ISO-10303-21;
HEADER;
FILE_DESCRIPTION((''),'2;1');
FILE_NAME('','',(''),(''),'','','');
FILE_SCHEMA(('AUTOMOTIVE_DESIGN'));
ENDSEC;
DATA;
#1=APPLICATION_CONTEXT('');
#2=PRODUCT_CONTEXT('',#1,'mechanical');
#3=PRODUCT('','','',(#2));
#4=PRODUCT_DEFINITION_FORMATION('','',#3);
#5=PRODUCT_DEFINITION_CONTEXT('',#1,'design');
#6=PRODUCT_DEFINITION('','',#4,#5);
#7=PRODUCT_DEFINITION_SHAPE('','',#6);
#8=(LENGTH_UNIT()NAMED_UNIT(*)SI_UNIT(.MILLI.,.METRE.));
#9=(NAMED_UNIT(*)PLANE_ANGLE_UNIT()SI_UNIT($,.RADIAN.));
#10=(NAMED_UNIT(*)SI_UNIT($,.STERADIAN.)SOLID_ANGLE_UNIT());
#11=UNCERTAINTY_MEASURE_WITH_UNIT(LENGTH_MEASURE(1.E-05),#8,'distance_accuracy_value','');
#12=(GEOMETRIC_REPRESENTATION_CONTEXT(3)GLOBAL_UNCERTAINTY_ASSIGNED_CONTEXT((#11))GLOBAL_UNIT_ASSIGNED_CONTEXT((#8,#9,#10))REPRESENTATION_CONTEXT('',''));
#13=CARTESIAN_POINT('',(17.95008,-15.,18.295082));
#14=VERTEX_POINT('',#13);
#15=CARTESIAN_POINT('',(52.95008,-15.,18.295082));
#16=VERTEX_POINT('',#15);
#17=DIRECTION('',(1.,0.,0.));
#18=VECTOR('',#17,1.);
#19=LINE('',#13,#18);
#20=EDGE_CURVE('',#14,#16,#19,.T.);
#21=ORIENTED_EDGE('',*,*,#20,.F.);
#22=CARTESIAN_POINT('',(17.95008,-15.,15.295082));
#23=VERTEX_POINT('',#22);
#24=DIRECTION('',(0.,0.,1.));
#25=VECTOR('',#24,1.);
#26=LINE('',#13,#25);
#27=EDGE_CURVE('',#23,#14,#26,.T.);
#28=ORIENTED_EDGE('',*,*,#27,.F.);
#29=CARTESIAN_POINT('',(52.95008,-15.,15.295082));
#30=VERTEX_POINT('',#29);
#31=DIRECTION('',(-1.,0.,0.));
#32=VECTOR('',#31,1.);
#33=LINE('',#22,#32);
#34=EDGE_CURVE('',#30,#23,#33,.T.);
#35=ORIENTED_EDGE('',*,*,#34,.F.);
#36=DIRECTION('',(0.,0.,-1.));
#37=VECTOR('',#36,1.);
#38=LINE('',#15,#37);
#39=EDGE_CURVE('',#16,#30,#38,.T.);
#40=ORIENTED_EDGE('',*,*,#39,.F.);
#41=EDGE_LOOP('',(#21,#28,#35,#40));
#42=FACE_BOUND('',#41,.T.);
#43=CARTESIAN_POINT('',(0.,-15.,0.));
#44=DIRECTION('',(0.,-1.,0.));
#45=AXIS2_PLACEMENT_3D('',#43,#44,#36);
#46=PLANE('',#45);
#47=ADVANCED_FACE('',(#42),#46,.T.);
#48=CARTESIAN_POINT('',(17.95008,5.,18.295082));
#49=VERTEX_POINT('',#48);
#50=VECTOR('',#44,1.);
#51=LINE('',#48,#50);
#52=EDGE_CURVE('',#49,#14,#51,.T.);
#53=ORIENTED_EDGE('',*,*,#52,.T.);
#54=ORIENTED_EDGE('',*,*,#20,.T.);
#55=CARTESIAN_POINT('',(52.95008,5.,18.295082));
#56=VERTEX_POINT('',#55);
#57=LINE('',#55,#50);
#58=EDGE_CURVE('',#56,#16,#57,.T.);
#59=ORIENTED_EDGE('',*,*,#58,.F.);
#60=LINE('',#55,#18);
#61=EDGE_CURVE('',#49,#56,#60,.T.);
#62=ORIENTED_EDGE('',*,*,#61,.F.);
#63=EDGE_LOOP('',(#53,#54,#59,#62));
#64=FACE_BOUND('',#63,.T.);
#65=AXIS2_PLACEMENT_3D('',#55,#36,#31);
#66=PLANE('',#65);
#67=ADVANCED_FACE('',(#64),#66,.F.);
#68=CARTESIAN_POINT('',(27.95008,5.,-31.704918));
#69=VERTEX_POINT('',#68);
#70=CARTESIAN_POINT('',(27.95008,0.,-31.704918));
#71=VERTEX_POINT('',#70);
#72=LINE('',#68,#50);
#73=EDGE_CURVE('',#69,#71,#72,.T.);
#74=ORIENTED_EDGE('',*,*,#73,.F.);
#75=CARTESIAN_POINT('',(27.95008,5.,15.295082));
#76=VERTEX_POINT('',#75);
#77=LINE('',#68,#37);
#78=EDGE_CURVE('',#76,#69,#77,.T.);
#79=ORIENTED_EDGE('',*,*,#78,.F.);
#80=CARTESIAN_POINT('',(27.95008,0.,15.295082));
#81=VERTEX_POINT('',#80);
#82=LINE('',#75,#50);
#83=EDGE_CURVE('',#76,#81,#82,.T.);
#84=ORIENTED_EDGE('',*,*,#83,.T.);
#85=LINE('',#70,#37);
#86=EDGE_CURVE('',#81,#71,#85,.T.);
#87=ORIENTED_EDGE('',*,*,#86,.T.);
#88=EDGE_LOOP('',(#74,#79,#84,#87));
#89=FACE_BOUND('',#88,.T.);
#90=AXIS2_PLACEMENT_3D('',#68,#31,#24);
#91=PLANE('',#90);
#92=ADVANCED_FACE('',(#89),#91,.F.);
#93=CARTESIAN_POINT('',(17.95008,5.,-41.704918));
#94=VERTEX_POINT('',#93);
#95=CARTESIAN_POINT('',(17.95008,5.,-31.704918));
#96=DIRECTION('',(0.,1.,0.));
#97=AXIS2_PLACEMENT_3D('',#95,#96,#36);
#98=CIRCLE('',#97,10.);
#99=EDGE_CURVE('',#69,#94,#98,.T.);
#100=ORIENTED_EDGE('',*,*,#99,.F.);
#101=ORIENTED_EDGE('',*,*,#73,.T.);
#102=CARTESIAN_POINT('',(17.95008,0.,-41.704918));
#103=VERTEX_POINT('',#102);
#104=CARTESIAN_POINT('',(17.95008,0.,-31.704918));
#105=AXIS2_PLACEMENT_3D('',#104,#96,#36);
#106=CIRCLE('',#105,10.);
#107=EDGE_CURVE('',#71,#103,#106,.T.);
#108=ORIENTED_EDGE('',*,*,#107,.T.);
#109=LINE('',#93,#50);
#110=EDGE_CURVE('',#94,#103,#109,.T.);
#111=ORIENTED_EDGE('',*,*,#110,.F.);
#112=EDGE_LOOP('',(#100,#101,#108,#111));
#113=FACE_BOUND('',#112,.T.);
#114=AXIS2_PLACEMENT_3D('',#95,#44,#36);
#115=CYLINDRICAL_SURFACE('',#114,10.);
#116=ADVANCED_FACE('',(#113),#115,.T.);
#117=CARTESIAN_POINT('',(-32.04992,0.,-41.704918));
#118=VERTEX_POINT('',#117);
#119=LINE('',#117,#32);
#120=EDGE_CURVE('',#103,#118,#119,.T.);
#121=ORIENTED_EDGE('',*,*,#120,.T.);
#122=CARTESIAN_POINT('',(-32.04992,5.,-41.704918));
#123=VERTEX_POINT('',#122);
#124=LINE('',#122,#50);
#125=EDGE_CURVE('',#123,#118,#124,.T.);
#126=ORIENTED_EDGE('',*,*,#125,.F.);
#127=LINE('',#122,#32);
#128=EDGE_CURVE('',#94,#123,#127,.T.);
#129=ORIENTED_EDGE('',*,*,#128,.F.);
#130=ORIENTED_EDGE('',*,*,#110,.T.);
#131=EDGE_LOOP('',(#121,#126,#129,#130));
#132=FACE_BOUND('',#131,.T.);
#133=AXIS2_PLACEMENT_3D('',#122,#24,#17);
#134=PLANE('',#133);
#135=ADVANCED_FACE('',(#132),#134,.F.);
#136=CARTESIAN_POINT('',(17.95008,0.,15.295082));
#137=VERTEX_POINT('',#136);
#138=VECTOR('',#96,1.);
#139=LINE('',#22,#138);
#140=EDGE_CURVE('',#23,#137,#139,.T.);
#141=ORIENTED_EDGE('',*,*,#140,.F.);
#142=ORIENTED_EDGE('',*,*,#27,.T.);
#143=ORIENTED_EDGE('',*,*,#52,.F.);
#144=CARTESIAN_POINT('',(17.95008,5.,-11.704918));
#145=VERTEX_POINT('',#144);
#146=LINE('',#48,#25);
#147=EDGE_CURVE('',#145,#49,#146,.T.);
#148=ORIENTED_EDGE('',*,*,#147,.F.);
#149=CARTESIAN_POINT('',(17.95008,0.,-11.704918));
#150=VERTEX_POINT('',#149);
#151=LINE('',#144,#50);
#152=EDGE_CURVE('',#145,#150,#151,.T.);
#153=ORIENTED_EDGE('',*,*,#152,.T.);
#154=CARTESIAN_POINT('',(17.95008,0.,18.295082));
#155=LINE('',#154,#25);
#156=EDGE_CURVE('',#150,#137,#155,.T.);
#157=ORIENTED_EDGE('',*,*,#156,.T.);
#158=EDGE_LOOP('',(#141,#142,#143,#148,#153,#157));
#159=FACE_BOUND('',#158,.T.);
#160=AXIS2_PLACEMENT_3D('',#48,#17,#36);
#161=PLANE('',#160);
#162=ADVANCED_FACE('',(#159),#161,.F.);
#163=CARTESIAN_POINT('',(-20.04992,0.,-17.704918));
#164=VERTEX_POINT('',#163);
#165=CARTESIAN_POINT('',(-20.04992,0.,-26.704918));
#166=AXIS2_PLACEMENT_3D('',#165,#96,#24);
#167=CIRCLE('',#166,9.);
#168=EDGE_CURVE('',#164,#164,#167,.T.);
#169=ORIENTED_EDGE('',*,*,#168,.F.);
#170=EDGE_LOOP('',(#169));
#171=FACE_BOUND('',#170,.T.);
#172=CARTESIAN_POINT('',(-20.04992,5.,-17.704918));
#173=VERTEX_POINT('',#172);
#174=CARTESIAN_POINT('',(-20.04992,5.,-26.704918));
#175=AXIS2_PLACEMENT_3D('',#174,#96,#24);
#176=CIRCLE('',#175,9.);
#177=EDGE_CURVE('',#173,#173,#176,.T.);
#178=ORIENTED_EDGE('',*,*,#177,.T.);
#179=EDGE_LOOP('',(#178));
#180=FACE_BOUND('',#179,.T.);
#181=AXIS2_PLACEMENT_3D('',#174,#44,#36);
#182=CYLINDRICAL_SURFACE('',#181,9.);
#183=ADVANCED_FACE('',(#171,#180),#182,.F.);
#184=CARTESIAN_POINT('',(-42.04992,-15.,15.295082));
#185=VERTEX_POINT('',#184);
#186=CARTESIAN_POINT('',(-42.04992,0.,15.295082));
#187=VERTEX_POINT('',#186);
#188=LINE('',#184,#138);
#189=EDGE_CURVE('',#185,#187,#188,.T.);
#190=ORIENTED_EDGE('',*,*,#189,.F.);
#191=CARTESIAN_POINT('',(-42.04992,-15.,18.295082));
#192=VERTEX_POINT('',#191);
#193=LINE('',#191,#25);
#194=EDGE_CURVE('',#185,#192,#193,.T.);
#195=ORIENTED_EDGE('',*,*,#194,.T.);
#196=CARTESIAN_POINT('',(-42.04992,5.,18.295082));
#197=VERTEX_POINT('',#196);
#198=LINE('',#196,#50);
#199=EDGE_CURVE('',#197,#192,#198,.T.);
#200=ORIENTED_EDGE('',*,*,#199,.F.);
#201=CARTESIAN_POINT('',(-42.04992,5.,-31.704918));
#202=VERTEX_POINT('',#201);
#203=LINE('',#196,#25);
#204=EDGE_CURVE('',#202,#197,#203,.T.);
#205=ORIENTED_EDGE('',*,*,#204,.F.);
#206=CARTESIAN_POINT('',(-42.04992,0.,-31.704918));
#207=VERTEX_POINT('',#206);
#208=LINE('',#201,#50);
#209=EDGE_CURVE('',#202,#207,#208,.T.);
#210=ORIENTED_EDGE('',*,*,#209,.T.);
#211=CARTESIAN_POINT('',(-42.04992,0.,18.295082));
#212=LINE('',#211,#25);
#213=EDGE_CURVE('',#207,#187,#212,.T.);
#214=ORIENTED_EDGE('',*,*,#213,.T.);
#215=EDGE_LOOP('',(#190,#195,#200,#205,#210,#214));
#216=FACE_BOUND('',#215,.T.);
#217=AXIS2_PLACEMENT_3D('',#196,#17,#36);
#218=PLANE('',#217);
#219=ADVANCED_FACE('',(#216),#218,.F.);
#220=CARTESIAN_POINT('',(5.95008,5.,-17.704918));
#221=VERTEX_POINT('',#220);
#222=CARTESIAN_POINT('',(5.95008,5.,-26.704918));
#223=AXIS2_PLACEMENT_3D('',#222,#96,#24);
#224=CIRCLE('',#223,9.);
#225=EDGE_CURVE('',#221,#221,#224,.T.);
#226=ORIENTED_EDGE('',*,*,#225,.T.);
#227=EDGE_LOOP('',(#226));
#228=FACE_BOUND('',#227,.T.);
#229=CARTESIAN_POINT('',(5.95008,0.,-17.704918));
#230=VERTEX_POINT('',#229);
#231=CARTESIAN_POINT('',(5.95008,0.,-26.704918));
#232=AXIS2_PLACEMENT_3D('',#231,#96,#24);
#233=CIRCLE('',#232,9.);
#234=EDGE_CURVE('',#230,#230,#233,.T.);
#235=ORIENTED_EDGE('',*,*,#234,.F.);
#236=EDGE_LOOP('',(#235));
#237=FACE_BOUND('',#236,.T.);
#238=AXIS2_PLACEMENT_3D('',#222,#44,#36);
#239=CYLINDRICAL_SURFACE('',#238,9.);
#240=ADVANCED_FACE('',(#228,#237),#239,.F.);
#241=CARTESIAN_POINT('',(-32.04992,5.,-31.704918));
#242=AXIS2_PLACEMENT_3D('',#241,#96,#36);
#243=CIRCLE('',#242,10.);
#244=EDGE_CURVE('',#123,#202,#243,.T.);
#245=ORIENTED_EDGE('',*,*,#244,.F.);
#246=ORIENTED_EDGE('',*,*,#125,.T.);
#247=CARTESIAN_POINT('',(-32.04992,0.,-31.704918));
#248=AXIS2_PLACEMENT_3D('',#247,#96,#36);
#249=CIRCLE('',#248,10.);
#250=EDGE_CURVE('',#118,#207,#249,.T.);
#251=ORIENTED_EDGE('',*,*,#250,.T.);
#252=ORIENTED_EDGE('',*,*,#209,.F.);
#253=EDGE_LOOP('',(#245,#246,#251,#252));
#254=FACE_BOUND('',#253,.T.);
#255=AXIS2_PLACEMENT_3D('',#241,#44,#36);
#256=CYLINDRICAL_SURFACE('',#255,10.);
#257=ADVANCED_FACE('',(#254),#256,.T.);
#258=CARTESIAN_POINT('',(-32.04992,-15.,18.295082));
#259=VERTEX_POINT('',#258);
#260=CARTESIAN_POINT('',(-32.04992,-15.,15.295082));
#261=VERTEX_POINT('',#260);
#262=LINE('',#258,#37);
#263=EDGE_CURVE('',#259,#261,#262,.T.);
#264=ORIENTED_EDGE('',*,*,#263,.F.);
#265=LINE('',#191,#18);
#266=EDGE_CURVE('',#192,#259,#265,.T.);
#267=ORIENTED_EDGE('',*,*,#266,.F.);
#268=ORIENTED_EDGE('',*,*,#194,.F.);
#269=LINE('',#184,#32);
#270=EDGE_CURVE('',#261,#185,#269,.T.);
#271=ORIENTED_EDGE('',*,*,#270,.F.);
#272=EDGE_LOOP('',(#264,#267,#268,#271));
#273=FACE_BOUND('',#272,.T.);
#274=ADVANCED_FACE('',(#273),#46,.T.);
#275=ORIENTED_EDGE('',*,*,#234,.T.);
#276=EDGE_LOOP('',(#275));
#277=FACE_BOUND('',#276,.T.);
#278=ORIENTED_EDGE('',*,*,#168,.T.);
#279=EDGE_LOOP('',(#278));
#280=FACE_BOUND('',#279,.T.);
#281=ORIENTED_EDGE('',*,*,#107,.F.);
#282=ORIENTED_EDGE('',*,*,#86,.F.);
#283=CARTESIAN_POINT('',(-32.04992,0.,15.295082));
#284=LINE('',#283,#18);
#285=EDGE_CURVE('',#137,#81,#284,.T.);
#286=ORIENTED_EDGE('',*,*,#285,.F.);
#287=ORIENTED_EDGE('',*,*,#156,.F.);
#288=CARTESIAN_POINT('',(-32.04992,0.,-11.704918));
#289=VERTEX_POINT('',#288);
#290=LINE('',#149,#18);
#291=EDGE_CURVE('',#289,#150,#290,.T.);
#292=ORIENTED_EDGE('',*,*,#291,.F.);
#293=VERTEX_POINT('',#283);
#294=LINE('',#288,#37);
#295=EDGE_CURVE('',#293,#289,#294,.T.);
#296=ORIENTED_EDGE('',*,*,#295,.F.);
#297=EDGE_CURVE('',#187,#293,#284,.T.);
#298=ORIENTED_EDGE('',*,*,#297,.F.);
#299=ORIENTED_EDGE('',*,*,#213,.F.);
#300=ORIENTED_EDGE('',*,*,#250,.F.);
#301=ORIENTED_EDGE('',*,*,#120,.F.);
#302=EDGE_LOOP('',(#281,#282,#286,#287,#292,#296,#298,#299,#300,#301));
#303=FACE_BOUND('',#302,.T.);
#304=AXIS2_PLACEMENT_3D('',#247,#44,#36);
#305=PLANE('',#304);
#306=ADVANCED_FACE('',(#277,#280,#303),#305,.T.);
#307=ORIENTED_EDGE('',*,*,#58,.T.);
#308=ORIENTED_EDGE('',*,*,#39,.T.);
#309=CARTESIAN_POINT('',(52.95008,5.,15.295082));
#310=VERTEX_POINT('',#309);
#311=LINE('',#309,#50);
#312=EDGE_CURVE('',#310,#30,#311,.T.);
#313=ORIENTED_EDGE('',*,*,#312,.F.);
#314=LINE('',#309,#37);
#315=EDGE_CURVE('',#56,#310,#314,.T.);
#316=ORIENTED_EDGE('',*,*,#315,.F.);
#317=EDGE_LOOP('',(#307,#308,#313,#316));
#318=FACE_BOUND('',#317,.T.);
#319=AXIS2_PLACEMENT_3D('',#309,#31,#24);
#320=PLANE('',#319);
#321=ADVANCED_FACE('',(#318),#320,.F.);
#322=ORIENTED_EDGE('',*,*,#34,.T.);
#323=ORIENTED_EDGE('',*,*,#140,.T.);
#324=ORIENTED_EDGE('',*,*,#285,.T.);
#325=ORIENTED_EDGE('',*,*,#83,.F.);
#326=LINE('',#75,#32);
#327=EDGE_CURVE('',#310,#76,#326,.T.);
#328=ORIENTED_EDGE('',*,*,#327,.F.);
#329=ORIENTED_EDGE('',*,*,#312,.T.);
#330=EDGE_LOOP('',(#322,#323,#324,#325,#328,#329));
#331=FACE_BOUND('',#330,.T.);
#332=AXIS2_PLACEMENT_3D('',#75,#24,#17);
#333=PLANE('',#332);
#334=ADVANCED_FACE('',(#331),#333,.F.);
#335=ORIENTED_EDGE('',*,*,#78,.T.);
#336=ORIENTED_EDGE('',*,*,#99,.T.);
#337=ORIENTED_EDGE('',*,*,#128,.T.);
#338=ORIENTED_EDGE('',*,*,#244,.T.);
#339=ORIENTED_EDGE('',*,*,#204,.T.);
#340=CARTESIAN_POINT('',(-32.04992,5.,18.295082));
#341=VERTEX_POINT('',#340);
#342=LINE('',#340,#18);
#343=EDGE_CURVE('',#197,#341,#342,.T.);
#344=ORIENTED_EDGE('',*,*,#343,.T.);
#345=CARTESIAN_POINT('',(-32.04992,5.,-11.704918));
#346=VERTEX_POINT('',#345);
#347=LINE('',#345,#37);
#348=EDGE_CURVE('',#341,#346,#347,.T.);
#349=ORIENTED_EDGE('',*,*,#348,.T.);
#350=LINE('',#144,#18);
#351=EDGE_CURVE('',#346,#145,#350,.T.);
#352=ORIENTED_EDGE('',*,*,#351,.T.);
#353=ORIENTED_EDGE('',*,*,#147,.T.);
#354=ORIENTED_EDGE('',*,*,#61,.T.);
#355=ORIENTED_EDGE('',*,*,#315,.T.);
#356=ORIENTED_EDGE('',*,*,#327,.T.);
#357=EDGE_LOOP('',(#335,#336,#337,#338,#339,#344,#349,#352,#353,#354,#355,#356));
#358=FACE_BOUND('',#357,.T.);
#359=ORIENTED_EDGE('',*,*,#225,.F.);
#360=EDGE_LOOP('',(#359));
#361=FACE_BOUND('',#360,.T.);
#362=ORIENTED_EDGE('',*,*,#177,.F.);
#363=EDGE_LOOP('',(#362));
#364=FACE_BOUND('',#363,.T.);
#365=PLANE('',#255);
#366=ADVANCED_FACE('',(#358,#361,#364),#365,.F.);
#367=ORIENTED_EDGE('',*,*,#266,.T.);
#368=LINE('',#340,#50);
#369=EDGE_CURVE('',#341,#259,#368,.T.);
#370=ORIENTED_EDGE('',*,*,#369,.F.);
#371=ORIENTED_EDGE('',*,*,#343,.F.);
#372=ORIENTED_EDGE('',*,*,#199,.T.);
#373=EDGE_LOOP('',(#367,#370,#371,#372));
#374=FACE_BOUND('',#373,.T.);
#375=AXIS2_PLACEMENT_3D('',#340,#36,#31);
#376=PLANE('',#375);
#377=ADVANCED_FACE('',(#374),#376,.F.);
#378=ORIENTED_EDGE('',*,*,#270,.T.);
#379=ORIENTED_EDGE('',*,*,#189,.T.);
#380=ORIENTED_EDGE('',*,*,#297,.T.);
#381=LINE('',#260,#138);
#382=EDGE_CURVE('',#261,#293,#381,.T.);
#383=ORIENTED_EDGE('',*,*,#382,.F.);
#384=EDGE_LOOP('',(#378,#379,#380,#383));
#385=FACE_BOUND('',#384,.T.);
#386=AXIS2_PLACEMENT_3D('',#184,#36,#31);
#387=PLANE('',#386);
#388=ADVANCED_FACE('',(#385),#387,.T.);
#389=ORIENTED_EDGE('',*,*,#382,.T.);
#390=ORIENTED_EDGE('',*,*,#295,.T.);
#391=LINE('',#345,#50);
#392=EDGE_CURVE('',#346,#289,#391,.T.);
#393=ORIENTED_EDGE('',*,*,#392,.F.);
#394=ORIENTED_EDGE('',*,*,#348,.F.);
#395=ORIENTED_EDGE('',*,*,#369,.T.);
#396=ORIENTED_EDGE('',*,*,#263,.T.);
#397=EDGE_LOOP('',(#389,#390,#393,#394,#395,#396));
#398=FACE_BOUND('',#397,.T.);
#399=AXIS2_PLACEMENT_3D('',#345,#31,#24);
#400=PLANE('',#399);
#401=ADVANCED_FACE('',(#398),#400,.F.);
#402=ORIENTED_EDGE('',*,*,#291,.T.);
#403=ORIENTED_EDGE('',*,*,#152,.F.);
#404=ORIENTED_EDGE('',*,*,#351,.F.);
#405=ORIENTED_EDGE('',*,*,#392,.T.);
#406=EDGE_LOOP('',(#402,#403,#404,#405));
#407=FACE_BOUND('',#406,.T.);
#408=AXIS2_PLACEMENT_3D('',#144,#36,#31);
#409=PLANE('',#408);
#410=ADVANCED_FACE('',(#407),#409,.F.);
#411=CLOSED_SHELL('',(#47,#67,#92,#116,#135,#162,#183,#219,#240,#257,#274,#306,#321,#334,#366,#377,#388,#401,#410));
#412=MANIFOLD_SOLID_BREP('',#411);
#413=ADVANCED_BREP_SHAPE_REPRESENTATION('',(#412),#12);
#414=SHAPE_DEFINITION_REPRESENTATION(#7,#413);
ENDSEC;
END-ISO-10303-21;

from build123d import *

# Parameters (mm, degrees)
ESQUISSE3_R        = 9
BOSS_EXTRU_1_DEPTH = 5
ESQUISSE4_W        = 10
ESQUISSE4_H        = 3
ESQUISSE4_W_2      = 35
BOSS_EXTRU_2_DEPTH = 20


with BuildPart() as part:
    # Esquisse3 → Boss.-Extru.1 (new body)
    with BuildSketch(Plane(origin=(0, 0, 0), x_dir=(1, 0, 0), z_dir=(0, 1, 0))):
        with BuildLine():
            Line((-42.049920388, -18.295081967), (-42.049920388, 31.704918033))
            ThreePointArc((-42.049920388, 31.704918033), (-39.120988199, 38.775985845), (-32.049920388, 41.704918033))
            Line((-32.049920388, 41.704918033), (17.950079612, 41.704918033))
            ThreePointArc((17.950079612, 41.704918033), (25.021147424, 38.775985845), (27.950079612, 31.704918033))
            Line((27.950079612, 31.704918033), (27.950079612, -15.295081967))
            Line((27.950079612, -15.295081967), (52.950079612, -15.295081967))
            Line((52.950079612, -15.295081967), (52.950079612, -18.295081967))
            Line((52.950079612, -18.295081967), (17.950079612, -18.295081967))
            Line((17.950079612, -18.295081967), (17.950079612, 11.704918033))
            Line((17.950079612, 11.704918033), (-32.049920388, 11.704918033))
            Line((-32.049920388, 11.704918033), (-32.049920388, -18.295081967))
            Line((-32.049920388, -18.295081967), (-42.049920388, -18.295081967))
        make_face()
        with Locations((-20.049920388, 26.704918033)):
            Circle(ESQUISSE3_R, mode=Mode.SUBTRACT)
        with Locations((5.950079612, 26.704918033)):
            Circle(ESQUISSE3_R, mode=Mode.SUBTRACT)
    extrude(amount=BOSS_EXTRU_1_DEPTH)

    # Esquisse4 → Boss.-Extru.2 (add)
    with BuildSketch(Plane(origin=(0, 5, 0), x_dir=(1, 0, 0), z_dir=(0, 1, 0))):
        with Locations((-37.049920388, -16.795081967)):
            Rectangle(ESQUISSE4_W, ESQUISSE4_H)
        with Locations((35.450079612, -16.795081967)):
            Rectangle(ESQUISSE4_W_2, ESQUISSE4_H)
    extrude(amount=-BOSS_EXTRU_2_DEPTH)


solid = part.part
